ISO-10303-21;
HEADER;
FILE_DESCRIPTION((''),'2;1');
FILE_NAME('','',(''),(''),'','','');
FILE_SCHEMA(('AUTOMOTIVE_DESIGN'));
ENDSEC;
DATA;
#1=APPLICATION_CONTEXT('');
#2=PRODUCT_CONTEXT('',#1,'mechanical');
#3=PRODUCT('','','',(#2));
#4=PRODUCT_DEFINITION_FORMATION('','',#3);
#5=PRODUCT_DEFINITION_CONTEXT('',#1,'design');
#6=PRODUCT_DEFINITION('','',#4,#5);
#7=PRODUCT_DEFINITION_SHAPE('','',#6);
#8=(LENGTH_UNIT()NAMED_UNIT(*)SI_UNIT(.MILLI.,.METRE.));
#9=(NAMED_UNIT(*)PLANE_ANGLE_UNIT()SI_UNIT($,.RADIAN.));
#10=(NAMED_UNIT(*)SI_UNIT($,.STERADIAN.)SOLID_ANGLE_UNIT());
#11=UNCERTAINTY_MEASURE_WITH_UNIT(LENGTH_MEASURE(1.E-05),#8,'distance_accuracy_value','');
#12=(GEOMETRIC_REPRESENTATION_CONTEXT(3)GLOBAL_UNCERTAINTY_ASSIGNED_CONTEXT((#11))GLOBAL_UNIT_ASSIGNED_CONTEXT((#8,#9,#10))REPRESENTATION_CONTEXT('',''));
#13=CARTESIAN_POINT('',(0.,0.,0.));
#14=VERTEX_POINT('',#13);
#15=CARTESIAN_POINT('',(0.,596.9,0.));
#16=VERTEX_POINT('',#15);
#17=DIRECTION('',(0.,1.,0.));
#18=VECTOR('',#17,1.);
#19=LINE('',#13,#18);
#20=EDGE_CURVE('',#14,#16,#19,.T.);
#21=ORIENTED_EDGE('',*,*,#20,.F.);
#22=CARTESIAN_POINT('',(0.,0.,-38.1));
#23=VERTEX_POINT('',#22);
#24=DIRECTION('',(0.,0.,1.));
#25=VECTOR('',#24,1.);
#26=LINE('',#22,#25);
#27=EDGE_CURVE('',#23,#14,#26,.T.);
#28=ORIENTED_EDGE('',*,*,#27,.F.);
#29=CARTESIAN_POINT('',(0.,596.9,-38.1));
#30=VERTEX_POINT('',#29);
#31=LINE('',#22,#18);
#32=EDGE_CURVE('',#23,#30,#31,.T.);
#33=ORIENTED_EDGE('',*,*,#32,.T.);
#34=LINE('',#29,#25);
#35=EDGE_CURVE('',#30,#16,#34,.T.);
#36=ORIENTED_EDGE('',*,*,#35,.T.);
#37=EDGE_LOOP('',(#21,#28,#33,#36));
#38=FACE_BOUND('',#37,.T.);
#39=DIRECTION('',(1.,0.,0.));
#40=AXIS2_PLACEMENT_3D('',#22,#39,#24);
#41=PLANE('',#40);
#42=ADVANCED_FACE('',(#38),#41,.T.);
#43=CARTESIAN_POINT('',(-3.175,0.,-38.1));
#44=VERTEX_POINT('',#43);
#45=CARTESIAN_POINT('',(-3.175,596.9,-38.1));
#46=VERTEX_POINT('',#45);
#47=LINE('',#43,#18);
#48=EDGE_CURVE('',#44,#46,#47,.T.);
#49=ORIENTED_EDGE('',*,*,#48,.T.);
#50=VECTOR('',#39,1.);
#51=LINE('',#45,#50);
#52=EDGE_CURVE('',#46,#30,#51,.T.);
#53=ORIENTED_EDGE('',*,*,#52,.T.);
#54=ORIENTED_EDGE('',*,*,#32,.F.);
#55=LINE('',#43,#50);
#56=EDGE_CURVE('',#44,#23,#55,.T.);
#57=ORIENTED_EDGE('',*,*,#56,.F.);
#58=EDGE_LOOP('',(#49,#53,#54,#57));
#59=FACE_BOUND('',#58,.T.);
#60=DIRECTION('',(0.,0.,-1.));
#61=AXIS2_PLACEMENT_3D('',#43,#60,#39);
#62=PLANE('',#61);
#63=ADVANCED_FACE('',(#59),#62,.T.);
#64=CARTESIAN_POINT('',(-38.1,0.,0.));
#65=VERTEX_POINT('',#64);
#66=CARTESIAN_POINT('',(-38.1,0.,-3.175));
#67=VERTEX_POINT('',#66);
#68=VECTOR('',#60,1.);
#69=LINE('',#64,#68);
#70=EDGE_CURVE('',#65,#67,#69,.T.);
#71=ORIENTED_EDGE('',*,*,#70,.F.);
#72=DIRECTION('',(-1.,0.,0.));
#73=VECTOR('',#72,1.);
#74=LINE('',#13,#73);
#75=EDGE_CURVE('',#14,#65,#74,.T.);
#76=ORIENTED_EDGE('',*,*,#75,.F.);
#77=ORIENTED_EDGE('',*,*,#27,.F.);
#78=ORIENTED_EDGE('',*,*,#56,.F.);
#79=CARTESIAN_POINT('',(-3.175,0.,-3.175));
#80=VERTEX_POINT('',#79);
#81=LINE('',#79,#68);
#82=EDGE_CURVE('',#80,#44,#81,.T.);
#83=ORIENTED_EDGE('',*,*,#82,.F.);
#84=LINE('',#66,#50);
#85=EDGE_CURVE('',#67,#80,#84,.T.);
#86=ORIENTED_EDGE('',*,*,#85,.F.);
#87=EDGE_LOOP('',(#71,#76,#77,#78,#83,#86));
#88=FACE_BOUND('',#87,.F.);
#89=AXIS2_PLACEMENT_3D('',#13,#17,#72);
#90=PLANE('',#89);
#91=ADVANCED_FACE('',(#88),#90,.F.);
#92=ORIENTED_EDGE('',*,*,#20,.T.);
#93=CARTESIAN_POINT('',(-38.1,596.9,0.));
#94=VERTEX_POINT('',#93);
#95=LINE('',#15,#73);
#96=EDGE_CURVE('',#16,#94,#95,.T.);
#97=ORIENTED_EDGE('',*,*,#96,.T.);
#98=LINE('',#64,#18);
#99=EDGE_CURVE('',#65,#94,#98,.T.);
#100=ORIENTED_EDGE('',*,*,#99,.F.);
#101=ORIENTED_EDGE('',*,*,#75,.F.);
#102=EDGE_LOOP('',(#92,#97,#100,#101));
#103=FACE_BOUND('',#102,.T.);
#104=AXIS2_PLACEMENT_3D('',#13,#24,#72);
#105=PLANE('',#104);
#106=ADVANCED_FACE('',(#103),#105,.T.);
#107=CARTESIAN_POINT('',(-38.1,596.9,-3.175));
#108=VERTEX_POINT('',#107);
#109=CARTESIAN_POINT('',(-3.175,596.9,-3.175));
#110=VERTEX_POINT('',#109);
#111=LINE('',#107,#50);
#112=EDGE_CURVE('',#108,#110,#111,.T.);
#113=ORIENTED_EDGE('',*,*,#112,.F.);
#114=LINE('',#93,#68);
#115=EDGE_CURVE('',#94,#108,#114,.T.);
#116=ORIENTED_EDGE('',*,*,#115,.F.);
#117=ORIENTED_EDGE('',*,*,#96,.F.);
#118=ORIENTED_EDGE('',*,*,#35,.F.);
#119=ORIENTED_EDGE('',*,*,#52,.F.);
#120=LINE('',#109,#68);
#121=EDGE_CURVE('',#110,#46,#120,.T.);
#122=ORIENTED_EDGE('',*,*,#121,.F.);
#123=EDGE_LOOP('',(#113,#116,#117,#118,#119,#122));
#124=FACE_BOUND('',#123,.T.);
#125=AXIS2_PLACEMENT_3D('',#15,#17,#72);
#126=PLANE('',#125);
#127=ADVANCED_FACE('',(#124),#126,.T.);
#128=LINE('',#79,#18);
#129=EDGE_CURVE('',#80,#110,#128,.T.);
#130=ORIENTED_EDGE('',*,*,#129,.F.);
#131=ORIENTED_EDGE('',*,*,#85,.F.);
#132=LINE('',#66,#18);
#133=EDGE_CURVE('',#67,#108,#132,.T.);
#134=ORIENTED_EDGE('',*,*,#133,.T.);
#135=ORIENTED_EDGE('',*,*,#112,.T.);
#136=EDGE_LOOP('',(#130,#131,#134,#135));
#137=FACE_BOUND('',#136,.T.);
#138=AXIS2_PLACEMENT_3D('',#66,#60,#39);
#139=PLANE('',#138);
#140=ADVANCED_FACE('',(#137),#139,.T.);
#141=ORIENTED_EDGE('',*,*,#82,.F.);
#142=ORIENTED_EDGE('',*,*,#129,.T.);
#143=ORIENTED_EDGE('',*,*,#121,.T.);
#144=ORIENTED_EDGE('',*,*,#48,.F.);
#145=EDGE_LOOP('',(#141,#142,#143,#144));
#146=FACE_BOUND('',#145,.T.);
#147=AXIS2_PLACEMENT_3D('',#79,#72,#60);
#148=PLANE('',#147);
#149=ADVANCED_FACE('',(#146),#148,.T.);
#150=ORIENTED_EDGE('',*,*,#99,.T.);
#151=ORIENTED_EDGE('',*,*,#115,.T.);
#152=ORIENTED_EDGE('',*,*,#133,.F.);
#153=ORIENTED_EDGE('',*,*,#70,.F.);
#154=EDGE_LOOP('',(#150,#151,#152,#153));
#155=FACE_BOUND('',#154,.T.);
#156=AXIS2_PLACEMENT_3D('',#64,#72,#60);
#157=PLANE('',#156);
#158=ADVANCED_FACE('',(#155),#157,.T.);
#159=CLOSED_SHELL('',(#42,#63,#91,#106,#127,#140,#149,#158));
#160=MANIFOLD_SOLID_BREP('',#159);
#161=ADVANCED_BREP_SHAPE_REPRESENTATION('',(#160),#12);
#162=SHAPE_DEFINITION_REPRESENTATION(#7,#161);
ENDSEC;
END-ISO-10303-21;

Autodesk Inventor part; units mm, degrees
ref_plane "YZ Plane" through (0, 0, 0) normal (1, 0, 0) x (0, 1, 0)
ref_plane "XZ Plane" through (0, 0, 0) normal (0, 1, 0) x (-1, 0, 0)
ref_plane "XY Plane" through (0, 0, 0) normal (0, 0, 1) x (1, 0, 0)
sketch "Sketch1" plane through (0, 0, 0) normal (0, 1, 0) x (-1, 0, 0)
  line L0 (0, 0) -> (38.1, 0)
  line L1 (38.1, 0) -> (38.1, -3.175)
  line L2 (38.1, -3.175) -> (3.175, -3.175)
  line L3 (3.175, -3.175) -> (3.175, -38.1)
  line L4 (3.175, -38.1) -> (0, -38.1)
  line L5 (0, -38.1) -> (0, 0)
  dimension "d0" = 3.175
  dimension "d1" = 3.175
  dimension "d2" = 38.1
  dimension "d3" = 38.1
extrude "Extrusion1" add sketch "Sketch1" along normal blind 596.9
properties part number "Angle_2-ft"
